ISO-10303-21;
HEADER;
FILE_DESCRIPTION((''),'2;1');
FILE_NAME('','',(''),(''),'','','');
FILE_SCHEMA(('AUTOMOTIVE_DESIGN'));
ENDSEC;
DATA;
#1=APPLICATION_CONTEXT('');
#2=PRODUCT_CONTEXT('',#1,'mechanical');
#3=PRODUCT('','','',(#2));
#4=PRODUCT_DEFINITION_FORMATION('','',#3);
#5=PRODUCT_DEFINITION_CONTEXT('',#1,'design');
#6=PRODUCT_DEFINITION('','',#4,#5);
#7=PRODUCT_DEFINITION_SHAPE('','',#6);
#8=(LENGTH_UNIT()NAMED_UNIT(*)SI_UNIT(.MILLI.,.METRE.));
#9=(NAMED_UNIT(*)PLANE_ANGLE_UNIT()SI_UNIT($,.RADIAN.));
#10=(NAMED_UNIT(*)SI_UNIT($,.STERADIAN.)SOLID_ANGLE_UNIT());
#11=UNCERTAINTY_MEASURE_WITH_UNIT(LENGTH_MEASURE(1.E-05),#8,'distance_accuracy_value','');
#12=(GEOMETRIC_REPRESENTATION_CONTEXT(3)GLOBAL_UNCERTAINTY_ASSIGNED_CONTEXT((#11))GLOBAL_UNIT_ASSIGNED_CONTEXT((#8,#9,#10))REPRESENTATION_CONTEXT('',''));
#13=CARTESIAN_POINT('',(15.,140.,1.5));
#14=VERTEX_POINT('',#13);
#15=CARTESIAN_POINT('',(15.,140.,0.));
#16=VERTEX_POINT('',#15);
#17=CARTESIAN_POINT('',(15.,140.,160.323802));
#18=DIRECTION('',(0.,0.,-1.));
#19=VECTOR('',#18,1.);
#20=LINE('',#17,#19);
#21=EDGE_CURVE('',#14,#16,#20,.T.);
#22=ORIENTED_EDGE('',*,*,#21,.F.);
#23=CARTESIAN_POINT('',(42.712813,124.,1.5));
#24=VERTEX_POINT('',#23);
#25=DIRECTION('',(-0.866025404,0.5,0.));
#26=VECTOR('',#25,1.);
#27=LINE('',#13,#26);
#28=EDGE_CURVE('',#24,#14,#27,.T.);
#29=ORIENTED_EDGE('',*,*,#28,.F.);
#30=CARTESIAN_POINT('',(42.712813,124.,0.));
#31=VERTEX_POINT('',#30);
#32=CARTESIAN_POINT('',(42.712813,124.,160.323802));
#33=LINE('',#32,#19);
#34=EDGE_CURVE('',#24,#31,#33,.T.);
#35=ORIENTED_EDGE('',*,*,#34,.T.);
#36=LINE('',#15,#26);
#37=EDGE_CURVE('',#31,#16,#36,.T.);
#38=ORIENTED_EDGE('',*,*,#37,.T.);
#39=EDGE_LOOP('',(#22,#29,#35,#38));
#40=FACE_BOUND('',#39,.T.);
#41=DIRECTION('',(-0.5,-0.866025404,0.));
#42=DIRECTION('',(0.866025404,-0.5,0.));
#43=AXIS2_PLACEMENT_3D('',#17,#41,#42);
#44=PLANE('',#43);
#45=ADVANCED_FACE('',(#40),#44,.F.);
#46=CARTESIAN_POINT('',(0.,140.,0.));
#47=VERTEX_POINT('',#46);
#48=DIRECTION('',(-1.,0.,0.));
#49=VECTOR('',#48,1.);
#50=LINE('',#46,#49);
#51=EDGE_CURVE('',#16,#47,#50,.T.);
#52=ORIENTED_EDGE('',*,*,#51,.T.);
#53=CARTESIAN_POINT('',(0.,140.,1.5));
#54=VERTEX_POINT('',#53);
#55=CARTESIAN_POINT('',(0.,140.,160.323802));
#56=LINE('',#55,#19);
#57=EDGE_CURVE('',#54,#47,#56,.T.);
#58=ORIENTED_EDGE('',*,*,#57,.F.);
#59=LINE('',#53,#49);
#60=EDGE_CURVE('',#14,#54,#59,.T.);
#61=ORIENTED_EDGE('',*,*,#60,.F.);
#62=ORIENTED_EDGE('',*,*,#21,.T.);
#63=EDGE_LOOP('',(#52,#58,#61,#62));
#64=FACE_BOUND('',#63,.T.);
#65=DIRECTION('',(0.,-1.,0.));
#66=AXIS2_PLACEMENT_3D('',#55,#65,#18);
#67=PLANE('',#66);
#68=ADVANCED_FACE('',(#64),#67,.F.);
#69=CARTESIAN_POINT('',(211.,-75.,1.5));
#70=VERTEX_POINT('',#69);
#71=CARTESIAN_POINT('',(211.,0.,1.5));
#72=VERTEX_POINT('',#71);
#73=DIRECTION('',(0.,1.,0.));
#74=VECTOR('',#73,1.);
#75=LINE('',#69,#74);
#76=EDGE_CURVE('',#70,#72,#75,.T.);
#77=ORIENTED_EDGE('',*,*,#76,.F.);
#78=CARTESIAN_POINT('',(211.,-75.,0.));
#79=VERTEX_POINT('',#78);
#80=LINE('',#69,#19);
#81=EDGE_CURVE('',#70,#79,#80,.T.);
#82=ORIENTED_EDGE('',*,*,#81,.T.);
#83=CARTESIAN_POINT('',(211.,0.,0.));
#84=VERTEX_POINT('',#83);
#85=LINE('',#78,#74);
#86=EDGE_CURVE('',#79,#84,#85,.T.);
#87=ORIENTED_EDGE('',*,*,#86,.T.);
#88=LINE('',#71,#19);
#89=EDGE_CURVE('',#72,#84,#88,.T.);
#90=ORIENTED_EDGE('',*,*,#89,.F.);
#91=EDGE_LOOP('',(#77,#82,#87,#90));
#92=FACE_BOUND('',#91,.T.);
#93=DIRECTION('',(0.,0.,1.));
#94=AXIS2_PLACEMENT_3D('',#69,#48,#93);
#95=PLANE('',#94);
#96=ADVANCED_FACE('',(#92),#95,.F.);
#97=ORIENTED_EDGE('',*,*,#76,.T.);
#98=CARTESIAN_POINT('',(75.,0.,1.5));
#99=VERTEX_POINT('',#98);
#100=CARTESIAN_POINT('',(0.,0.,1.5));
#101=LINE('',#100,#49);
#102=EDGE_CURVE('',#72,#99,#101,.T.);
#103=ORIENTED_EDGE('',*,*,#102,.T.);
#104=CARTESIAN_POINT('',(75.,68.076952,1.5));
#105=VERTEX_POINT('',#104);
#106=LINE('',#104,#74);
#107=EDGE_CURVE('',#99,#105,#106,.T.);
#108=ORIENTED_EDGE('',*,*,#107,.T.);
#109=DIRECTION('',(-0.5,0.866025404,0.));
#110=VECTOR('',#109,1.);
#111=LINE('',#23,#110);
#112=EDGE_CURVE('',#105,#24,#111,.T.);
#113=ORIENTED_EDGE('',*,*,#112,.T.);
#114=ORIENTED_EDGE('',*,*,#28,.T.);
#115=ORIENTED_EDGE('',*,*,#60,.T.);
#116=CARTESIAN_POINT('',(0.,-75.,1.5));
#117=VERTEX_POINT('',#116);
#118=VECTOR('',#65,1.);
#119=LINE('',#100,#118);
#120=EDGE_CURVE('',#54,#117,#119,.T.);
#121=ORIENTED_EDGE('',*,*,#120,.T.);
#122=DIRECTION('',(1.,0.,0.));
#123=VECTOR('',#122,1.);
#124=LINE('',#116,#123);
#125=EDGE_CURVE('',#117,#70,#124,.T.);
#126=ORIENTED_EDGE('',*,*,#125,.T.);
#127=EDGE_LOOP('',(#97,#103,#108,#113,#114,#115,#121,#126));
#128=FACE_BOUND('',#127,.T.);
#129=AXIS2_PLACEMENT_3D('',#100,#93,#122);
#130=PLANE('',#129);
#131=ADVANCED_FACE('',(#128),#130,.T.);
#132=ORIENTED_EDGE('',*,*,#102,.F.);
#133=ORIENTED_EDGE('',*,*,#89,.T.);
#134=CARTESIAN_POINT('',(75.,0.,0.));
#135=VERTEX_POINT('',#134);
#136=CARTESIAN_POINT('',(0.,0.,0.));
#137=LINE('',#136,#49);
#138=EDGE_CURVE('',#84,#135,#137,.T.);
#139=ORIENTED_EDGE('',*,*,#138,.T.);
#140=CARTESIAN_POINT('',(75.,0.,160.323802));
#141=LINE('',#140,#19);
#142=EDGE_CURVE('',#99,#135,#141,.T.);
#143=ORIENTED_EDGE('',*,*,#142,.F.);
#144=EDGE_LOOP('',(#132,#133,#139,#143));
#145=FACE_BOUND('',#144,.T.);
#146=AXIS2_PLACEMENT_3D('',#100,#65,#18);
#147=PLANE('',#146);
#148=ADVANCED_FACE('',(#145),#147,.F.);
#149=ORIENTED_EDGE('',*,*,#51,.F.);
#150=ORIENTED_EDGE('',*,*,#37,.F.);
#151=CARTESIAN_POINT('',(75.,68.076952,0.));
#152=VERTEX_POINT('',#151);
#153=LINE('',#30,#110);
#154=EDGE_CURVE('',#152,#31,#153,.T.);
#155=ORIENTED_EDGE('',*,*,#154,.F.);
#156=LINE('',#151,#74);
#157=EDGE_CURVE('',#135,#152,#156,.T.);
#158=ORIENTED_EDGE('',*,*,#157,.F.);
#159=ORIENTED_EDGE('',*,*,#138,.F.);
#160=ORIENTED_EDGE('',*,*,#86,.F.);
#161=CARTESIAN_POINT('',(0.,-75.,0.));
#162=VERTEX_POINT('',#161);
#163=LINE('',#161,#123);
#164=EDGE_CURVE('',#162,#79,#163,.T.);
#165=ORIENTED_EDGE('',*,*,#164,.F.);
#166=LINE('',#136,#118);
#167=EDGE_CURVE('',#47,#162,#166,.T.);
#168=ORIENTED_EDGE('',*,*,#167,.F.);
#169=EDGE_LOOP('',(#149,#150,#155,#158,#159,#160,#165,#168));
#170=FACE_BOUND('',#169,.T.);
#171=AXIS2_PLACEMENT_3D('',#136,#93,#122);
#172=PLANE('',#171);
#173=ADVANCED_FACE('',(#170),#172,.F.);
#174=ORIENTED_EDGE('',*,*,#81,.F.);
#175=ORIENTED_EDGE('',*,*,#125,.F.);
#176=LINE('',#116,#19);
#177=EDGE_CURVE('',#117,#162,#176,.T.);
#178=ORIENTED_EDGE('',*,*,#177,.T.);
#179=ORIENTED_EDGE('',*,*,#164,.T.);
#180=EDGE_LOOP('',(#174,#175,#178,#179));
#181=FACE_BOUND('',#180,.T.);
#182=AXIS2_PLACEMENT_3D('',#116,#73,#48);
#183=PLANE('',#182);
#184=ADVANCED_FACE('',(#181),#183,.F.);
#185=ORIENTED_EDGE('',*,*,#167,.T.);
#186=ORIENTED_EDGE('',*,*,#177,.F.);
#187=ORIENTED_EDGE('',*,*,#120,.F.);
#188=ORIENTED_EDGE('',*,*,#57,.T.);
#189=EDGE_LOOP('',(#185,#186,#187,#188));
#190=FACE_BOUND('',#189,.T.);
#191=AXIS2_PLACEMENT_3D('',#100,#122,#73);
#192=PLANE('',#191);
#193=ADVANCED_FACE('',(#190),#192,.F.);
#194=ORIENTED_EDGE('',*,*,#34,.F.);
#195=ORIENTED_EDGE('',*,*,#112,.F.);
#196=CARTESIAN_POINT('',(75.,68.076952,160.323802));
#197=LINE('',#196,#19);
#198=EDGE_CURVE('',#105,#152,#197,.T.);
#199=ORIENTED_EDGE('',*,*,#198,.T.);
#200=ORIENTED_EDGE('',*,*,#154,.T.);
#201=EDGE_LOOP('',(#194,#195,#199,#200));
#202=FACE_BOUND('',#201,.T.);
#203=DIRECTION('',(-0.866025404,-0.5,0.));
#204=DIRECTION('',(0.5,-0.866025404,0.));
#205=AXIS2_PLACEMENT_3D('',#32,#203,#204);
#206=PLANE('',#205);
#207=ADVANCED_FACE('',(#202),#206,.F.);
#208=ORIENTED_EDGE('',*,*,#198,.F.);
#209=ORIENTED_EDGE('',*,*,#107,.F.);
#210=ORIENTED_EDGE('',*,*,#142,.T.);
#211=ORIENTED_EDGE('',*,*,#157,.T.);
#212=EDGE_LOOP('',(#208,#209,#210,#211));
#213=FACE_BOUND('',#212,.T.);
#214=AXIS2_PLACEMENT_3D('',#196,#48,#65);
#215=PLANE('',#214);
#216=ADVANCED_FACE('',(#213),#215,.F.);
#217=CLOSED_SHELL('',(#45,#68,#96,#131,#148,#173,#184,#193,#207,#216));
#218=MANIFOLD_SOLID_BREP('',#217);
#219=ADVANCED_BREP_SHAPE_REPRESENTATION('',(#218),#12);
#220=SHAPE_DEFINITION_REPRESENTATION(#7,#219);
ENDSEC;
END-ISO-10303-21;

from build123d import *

# Parameters (mm, degrees)
SKETCH1_W           = 211
SKETCH1_H           = 75
BOSS_EXTRUDE1_DEPTH = 1.5
BOSS_EXTRUDE2_DEPTH = 1.5


with BuildPart() as part:
    # Sketch1 → Boss-Extrude1 (new body)
    with BuildSketch(Plane.XY):
        with Locations((105.5, -37.5)):
            Rectangle(SKETCH1_W, SKETCH1_H)
    extrude(amount=BOSS_EXTRUDE1_DEPTH)

    # Sketch2 → Boss-Extrude2 (add)
    with BuildSketch(Plane.XY):
        Polygon((0, 0), (0, 140), (15, 140), (42.712812921, 124), (75, 68.076951546), (75, 0), align=None)
    extrude(amount=BOSS_EXTRUDE2_DEPTH)


solid = part.part
